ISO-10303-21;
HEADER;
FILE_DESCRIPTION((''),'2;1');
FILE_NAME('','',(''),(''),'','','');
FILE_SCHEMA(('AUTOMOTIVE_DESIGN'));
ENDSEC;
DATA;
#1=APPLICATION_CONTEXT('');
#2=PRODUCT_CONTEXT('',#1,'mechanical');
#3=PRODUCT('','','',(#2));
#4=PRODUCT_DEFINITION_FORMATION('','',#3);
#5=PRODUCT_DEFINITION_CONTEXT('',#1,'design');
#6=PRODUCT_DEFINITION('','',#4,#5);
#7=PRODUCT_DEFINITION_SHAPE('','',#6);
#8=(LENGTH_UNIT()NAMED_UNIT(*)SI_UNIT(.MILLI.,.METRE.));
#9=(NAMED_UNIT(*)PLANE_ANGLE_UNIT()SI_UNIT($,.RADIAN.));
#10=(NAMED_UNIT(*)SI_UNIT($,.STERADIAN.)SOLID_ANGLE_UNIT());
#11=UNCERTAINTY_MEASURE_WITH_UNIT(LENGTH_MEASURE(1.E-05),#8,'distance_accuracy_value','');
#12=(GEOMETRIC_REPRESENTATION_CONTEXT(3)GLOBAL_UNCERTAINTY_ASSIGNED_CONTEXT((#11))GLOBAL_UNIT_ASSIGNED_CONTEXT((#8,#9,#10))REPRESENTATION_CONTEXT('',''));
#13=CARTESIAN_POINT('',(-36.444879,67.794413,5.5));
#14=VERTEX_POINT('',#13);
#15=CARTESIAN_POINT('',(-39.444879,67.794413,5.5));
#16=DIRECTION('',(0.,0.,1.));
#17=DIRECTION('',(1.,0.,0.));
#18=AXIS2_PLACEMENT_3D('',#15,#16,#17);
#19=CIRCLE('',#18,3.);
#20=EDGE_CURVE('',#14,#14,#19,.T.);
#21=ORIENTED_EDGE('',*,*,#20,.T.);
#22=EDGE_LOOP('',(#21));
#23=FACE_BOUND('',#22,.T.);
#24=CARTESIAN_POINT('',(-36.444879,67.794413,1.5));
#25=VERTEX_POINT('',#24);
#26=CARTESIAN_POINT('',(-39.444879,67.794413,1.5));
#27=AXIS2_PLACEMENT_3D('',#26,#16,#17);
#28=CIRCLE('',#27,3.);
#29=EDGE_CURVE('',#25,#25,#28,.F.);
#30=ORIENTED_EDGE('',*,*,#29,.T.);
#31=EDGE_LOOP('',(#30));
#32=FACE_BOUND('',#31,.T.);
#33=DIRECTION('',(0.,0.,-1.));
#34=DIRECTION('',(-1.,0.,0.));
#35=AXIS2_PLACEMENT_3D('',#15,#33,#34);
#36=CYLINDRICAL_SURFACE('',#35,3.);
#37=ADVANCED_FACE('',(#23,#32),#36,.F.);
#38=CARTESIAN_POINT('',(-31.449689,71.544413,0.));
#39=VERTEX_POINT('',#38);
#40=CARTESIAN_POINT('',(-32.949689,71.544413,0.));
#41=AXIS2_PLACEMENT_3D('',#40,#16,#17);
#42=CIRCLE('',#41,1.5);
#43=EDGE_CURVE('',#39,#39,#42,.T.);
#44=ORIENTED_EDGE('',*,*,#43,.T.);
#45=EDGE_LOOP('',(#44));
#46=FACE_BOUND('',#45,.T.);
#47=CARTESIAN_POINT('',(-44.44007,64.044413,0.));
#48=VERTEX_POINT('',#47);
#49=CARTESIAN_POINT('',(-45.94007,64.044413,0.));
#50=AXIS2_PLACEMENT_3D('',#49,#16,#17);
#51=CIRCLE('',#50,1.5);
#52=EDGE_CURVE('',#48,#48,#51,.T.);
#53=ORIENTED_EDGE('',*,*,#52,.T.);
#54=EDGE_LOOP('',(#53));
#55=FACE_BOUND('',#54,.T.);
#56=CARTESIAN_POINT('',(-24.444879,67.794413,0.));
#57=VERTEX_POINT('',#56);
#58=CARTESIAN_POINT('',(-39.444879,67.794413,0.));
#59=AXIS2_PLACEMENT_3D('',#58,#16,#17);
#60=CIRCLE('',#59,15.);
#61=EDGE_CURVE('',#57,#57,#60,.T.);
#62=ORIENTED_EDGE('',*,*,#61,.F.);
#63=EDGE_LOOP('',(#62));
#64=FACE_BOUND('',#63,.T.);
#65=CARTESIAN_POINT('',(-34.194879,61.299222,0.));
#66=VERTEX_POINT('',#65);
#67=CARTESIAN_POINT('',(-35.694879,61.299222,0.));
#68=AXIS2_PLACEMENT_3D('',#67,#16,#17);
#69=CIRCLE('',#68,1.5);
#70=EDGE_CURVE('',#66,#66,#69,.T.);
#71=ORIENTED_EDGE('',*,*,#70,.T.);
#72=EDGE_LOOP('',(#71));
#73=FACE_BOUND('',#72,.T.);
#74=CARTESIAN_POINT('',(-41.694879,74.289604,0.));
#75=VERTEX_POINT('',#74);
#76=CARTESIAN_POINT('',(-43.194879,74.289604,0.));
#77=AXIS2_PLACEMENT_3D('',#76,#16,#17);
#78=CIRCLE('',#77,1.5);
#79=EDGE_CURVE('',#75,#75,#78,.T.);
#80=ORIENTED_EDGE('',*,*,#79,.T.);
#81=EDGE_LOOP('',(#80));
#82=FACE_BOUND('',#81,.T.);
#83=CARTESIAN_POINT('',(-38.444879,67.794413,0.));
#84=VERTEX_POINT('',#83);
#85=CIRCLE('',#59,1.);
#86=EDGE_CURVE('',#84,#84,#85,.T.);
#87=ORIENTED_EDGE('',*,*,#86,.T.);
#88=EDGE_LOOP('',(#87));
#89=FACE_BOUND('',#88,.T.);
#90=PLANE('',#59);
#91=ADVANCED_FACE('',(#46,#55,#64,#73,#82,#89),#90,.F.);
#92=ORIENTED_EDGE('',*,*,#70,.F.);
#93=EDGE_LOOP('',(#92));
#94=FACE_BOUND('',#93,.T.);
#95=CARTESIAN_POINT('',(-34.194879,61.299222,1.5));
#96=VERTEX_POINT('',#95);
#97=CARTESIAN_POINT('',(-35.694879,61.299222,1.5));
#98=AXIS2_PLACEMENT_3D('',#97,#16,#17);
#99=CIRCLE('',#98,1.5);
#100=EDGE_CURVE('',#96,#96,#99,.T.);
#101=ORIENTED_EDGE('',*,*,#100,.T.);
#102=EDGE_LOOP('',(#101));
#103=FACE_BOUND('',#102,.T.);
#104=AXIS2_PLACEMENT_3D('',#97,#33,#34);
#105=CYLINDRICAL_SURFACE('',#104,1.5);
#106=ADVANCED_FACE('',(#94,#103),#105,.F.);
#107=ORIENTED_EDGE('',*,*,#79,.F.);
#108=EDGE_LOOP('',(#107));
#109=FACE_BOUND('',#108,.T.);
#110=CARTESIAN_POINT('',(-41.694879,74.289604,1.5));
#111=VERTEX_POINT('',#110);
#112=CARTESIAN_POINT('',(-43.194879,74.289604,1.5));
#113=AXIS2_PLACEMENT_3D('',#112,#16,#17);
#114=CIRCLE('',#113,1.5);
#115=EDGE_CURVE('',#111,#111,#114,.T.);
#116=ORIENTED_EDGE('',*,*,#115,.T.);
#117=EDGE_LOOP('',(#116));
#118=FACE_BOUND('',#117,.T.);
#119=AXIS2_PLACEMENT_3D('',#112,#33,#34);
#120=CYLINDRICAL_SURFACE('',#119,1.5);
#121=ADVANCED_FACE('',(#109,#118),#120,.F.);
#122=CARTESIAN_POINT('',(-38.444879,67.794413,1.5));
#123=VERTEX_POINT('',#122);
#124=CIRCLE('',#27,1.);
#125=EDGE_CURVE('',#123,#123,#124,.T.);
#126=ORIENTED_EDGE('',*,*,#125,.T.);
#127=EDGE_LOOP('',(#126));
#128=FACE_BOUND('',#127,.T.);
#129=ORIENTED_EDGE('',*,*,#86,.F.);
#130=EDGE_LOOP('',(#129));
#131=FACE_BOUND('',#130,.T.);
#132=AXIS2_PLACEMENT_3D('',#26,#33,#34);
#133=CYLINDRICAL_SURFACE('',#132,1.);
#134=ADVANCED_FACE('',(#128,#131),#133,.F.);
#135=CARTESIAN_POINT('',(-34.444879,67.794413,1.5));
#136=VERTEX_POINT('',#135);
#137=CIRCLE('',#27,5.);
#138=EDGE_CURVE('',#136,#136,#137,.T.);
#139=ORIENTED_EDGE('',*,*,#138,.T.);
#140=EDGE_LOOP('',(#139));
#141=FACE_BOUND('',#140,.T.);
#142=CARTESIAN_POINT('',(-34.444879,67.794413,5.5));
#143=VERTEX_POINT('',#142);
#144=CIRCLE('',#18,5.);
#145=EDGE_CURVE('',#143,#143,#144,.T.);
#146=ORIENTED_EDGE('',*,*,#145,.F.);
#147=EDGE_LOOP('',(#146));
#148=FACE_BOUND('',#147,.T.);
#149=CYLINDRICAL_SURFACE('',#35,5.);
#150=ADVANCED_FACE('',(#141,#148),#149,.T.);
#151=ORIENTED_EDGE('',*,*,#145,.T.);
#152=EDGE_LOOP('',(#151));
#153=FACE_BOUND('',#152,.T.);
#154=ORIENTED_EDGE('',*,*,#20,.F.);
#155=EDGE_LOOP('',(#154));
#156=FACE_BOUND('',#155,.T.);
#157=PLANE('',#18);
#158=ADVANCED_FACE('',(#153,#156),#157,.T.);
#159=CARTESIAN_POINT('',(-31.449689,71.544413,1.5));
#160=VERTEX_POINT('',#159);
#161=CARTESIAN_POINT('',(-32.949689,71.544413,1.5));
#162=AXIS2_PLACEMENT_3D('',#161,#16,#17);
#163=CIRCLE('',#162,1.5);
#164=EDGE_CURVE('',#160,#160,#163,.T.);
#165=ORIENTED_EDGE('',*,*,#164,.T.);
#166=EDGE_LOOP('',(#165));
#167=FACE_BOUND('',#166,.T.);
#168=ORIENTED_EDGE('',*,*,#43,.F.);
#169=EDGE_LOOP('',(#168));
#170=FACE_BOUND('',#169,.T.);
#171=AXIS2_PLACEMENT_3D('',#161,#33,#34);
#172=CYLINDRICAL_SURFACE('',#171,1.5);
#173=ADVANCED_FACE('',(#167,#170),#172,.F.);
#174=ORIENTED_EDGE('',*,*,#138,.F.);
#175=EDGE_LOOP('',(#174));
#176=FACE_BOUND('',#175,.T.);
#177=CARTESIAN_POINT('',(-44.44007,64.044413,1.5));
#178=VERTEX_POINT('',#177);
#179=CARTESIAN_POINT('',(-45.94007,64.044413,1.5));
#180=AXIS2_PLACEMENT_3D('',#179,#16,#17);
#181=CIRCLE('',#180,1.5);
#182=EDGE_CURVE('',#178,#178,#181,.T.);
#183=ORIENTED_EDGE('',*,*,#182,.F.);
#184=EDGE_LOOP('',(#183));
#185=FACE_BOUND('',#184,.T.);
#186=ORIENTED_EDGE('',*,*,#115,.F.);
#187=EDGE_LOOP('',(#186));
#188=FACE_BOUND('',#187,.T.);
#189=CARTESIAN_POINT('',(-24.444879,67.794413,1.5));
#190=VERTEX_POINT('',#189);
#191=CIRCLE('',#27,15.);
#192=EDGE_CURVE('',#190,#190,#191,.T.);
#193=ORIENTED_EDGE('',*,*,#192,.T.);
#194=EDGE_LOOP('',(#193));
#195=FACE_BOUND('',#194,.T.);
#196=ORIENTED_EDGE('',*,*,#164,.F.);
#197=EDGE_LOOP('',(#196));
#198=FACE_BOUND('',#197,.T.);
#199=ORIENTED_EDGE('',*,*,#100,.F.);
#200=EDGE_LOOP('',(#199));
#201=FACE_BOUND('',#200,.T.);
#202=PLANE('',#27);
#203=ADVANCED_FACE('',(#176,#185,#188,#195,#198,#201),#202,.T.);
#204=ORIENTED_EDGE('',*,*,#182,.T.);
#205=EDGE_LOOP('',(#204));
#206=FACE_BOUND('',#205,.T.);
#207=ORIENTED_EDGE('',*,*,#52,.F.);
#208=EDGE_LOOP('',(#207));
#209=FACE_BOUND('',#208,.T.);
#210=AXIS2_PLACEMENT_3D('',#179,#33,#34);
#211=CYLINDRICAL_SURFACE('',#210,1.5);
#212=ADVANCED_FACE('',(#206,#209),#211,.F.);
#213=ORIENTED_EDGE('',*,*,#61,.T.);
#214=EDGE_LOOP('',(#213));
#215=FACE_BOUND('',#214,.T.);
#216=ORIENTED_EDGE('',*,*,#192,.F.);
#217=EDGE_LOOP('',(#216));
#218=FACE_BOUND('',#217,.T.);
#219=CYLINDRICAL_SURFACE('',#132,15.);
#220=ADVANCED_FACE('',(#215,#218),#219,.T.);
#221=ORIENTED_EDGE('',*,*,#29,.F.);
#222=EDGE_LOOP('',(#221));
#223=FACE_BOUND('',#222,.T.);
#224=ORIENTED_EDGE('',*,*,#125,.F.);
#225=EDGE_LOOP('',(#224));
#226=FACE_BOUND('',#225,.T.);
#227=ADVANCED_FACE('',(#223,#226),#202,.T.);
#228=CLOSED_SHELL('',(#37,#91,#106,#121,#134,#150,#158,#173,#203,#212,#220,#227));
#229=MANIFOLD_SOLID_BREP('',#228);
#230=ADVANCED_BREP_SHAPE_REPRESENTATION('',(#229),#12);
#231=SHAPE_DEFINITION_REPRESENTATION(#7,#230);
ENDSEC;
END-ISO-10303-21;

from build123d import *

# Parameters (mm, degrees)
SKETCH1_R           = 15
SKETCH1_R_2         = 1.5
SKETCH1_R_3         = 1
BOSS_EXTRUDE1_DEPTH = 1.5
SKETCH2_R           = 5
SKETCH2_R_2         = 3
BOSS_EXTRUDE2_DEPTH = 4


with BuildPart() as part:
    # Sketch1 → Boss-Extrude1 (new body)
    with BuildSketch(Plane.XY):
        with Locations((-39.444879197, 67.794412983)):
            Circle(SKETCH1_R)
        with Locations((-32.949688669, 71.544412983)):
            Circle(SKETCH1_R_2, mode=Mode.SUBTRACT)
        with Locations((-45.940069726, 64.044412983)):
            Circle(SKETCH1_R_2, mode=Mode.SUBTRACT)
        with Locations((-39.444879197, 67.794412983)):
            Circle(SKETCH1_R_3, mode=Mode.SUBTRACT)
        with Locations((-35.694879197, 61.299222454)):
            Circle(SKETCH1_R_2, mode=Mode.SUBTRACT)
        with Locations((-43.194879197, 74.289603511)):
            Circle(SKETCH1_R_2, mode=Mode.SUBTRACT)
    extrude(amount=BOSS_EXTRUDE1_DEPTH)

    # Sketch2 → Boss-Extrude2 (add)
    with BuildSketch(Plane.XY.offset(1.5)):
        with Locations((-39.444879197, 67.794412983)):
            Circle(SKETCH2_R)
        with Locations((-39.444879197, 67.794412983)):
            Circle(SKETCH2_R_2, mode=Mode.SUBTRACT)
    extrude(amount=BOSS_EXTRUDE2_DEPTH)


solid = part.part
